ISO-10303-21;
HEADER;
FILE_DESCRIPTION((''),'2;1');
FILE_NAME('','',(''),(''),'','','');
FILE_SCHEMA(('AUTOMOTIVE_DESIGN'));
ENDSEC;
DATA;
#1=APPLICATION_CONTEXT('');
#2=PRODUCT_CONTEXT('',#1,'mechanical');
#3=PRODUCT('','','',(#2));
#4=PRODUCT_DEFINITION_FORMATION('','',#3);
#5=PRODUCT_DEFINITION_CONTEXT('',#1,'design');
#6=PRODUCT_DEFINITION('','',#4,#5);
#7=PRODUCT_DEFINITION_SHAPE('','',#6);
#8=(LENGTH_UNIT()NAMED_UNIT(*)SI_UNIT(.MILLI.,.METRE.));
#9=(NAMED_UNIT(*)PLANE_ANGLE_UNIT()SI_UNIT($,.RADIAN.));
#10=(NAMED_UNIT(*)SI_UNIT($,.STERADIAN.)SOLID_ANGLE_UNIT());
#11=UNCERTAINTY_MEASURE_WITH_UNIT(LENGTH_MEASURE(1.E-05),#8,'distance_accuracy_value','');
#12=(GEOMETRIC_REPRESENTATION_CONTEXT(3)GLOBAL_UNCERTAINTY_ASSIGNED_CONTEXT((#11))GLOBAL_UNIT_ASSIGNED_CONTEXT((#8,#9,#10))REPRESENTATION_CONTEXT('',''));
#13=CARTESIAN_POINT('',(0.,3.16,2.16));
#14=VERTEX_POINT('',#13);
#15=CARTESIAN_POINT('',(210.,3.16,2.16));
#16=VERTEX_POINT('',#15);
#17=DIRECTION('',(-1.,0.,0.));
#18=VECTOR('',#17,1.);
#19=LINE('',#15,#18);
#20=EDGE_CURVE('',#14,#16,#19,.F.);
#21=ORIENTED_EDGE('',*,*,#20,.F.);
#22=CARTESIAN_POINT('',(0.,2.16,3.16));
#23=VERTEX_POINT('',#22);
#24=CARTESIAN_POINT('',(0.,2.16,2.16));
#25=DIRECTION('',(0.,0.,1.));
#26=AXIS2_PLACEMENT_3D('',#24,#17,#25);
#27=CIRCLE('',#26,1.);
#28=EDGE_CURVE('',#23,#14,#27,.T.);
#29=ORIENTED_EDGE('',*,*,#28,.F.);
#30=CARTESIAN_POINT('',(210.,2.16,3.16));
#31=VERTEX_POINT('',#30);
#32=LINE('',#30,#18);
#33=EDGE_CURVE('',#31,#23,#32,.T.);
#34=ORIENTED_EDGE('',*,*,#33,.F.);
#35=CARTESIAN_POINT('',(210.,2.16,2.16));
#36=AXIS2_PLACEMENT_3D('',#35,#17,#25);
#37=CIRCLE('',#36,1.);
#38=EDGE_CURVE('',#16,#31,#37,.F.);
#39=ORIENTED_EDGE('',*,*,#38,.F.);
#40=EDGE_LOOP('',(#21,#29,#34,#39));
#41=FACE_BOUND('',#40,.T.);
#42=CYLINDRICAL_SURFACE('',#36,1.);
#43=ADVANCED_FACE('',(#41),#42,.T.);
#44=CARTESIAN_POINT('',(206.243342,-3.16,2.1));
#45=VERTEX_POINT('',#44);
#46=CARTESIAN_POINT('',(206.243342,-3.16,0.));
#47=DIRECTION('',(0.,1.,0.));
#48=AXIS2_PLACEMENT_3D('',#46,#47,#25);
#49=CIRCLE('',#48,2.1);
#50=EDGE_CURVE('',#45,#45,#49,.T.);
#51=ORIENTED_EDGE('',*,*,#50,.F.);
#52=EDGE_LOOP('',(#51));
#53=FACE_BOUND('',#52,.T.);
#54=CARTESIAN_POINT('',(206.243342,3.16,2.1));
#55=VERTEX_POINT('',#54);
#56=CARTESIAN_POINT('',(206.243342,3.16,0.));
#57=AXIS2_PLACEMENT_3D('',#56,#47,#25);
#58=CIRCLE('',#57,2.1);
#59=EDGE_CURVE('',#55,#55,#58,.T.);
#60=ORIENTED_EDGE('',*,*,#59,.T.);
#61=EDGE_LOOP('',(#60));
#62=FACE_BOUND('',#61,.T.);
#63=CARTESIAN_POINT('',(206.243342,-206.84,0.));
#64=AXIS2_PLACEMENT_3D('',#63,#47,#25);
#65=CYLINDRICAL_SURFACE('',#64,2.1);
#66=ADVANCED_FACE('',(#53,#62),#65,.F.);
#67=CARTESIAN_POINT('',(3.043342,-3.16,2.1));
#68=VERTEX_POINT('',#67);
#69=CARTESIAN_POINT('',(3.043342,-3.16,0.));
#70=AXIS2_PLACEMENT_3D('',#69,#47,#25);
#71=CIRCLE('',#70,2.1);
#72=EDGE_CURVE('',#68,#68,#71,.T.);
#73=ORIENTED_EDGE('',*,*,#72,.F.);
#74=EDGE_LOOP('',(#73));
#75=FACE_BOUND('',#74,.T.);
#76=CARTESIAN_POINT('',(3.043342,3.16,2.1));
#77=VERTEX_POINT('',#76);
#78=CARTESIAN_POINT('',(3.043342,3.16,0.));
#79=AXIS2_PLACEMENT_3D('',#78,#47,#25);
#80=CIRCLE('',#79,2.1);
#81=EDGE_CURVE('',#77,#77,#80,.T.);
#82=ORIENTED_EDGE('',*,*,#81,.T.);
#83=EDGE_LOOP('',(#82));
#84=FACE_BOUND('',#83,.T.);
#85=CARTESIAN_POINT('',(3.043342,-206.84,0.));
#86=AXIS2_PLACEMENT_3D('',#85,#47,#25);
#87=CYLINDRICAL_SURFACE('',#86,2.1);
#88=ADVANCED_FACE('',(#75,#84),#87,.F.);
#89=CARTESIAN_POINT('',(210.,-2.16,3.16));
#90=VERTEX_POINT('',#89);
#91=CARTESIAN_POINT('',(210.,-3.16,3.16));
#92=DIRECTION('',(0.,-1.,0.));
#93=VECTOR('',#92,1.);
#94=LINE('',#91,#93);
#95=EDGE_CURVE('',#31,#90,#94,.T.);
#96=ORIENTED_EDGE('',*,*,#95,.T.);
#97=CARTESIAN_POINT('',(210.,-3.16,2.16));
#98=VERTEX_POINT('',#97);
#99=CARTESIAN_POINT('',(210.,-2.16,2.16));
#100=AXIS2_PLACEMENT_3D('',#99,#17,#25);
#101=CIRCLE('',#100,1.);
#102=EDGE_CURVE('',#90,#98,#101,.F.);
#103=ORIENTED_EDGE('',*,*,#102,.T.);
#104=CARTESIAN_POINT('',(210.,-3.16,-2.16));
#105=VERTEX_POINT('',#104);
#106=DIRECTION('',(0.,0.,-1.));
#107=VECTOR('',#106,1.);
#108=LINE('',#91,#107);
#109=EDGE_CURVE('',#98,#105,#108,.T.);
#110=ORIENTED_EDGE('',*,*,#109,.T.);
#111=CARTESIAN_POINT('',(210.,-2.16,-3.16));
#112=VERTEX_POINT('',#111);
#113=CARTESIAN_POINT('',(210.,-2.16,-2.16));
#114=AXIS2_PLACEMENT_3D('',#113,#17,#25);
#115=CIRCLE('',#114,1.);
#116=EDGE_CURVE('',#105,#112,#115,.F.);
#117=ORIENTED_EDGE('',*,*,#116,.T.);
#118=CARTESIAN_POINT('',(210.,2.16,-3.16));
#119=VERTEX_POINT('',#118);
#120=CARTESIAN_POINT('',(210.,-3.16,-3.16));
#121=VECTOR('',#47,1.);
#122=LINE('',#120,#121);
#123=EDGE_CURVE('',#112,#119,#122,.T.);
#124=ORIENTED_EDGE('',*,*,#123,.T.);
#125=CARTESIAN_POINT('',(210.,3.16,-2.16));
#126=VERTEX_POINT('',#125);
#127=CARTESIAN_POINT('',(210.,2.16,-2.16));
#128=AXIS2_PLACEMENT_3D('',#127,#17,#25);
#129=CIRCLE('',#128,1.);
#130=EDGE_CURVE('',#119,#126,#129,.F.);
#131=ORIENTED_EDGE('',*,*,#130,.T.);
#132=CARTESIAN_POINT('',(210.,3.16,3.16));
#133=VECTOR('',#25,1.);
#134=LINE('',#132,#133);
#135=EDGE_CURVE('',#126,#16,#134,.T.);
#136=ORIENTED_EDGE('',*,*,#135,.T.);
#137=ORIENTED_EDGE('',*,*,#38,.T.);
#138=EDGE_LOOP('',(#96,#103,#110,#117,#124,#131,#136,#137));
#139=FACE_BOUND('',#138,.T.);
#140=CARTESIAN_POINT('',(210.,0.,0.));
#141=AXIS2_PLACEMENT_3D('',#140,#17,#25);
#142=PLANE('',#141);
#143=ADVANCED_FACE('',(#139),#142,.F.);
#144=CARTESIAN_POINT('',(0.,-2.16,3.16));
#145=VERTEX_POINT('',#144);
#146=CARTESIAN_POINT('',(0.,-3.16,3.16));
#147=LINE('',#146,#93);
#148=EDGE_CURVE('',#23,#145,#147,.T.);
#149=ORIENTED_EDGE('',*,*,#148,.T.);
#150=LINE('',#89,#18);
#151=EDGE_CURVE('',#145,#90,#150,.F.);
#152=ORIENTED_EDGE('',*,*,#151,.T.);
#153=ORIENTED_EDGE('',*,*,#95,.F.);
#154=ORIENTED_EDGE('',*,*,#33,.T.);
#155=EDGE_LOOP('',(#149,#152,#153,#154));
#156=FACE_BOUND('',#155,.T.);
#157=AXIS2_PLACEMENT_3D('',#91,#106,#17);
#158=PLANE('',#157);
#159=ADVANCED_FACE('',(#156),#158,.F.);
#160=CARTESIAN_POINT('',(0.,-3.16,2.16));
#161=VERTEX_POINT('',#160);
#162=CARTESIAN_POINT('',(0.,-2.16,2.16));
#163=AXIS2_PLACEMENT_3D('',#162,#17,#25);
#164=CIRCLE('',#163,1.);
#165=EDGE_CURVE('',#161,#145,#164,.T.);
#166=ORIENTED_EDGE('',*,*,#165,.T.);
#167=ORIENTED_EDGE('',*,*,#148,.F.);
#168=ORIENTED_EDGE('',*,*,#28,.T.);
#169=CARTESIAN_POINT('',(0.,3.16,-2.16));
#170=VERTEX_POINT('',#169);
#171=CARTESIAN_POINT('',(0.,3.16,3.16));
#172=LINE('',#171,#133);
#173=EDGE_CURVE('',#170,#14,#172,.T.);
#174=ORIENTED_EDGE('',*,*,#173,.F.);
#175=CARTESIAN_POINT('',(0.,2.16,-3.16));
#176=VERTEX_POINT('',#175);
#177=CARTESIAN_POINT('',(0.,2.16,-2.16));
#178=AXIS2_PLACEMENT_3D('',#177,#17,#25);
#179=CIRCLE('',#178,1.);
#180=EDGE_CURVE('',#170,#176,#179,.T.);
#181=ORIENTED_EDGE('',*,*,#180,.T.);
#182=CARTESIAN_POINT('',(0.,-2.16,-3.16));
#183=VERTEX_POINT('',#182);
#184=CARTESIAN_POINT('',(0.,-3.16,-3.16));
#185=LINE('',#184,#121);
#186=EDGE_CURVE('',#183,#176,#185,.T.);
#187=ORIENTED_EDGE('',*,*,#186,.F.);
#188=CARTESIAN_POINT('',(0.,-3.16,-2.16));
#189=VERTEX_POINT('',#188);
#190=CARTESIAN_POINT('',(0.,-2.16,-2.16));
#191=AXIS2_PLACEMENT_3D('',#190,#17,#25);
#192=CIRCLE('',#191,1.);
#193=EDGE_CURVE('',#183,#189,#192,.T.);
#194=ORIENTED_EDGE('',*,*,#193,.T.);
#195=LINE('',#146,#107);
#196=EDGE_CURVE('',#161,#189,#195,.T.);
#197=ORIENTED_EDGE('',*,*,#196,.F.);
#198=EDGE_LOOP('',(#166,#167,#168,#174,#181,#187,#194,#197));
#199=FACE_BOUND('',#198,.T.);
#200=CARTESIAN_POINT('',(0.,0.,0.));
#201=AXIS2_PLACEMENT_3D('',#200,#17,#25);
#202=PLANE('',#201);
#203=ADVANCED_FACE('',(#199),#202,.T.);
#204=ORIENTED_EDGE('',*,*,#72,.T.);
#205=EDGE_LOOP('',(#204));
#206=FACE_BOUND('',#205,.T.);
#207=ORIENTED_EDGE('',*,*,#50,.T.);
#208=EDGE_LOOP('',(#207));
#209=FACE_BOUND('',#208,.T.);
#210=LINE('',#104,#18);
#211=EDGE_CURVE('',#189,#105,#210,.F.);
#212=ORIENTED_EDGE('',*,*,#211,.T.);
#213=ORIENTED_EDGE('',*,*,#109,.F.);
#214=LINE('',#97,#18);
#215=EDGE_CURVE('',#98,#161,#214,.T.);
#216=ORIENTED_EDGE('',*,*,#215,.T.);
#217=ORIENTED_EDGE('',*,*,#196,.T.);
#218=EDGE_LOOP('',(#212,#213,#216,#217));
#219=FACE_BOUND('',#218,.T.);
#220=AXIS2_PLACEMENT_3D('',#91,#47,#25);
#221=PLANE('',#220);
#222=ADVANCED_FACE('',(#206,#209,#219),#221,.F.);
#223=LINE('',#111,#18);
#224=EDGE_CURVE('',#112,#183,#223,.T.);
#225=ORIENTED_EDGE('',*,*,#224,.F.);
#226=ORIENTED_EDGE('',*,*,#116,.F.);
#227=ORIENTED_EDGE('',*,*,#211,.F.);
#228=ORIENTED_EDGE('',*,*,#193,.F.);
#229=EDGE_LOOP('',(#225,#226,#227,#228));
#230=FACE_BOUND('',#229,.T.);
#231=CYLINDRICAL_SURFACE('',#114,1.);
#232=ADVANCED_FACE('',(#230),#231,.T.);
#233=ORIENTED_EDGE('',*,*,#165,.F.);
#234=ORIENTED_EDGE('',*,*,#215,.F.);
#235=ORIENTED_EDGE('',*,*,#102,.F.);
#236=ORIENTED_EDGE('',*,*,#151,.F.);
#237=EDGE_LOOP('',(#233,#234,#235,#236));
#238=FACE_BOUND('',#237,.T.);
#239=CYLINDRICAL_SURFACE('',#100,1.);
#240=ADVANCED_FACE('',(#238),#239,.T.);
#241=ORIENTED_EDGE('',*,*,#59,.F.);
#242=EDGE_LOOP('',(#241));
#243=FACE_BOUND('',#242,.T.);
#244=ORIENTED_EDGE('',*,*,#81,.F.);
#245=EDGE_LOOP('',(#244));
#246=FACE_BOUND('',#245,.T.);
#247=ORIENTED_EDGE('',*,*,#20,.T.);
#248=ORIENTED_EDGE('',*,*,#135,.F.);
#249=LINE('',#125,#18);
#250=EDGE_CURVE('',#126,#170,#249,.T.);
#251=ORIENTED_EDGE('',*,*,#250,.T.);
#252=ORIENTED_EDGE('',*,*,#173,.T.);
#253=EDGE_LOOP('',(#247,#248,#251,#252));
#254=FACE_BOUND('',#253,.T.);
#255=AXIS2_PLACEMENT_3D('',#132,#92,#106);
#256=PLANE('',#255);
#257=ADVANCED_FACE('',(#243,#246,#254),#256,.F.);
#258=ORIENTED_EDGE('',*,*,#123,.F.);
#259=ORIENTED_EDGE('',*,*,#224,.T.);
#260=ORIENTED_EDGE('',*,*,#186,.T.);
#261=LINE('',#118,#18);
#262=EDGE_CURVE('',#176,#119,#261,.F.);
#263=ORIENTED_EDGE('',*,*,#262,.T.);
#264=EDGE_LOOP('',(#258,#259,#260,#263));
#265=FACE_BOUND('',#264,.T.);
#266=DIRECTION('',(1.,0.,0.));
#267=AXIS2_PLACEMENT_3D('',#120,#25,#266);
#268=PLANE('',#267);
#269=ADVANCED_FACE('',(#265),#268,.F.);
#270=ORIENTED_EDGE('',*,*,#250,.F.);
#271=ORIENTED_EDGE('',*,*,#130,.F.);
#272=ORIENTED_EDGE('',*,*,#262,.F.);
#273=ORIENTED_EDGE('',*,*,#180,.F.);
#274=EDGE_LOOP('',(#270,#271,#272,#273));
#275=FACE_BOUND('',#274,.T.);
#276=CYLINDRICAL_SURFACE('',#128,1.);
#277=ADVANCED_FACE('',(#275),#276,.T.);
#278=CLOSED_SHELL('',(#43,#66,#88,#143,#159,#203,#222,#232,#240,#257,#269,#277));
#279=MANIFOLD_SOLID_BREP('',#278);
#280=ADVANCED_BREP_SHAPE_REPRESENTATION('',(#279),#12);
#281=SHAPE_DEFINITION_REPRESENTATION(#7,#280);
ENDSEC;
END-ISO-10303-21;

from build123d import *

# Parameters (mm, degrees)
SKETCH_1_W          = 6.32
SKETCH_1_H          = 6.32
EXTRUDE_1_DEPTH     = 210
SKETCH_2_R          = 2.1
CUT_EXTRUDE_1_DEPTH = 210
FILLET_1_R          = 1


with BuildPart() as part:
    # 草图1 → 凸台-拉伸1 (new body)
    with BuildSketch(Plane(origin=(0, 0, 0), x_dir=(0, 0, -1), z_dir=(1, 0, 0))):
        Rectangle(SKETCH_1_W, SKETCH_1_H)
    extrude(amount=EXTRUDE_1_DEPTH)

    # 草图2 → 切除-拉伸1 (cut)
    with BuildSketch(Plane(origin=(0, 3.16, 0), x_dir=(1, 0, 0), z_dir=(0, 1, 0))):
        with Locations(Location((3.043341723, 0, 0), (0, 0, 270))):
            Circle(SKETCH_2_R)
        with Locations(Location((206.243341723, 0, 0), (0, 0, 270))):
            Circle(SKETCH_2_R)
    extrude(amount=-CUT_EXTRUDE_1_DEPTH, mode=Mode.SUBTRACT)

    # 圆角1
    fillet_1_edges = [part.edges().sort_by_distance(p)[0] for p in [
        (105, -3.16, -3.16),
        (105, -3.16, 3.16),
        (105, 3.16, 3.16),
        (105, 3.16, -3.16),
    ]]
    fillet(fillet_1_edges, radius=FILLET_1_R)


solid = part.part
